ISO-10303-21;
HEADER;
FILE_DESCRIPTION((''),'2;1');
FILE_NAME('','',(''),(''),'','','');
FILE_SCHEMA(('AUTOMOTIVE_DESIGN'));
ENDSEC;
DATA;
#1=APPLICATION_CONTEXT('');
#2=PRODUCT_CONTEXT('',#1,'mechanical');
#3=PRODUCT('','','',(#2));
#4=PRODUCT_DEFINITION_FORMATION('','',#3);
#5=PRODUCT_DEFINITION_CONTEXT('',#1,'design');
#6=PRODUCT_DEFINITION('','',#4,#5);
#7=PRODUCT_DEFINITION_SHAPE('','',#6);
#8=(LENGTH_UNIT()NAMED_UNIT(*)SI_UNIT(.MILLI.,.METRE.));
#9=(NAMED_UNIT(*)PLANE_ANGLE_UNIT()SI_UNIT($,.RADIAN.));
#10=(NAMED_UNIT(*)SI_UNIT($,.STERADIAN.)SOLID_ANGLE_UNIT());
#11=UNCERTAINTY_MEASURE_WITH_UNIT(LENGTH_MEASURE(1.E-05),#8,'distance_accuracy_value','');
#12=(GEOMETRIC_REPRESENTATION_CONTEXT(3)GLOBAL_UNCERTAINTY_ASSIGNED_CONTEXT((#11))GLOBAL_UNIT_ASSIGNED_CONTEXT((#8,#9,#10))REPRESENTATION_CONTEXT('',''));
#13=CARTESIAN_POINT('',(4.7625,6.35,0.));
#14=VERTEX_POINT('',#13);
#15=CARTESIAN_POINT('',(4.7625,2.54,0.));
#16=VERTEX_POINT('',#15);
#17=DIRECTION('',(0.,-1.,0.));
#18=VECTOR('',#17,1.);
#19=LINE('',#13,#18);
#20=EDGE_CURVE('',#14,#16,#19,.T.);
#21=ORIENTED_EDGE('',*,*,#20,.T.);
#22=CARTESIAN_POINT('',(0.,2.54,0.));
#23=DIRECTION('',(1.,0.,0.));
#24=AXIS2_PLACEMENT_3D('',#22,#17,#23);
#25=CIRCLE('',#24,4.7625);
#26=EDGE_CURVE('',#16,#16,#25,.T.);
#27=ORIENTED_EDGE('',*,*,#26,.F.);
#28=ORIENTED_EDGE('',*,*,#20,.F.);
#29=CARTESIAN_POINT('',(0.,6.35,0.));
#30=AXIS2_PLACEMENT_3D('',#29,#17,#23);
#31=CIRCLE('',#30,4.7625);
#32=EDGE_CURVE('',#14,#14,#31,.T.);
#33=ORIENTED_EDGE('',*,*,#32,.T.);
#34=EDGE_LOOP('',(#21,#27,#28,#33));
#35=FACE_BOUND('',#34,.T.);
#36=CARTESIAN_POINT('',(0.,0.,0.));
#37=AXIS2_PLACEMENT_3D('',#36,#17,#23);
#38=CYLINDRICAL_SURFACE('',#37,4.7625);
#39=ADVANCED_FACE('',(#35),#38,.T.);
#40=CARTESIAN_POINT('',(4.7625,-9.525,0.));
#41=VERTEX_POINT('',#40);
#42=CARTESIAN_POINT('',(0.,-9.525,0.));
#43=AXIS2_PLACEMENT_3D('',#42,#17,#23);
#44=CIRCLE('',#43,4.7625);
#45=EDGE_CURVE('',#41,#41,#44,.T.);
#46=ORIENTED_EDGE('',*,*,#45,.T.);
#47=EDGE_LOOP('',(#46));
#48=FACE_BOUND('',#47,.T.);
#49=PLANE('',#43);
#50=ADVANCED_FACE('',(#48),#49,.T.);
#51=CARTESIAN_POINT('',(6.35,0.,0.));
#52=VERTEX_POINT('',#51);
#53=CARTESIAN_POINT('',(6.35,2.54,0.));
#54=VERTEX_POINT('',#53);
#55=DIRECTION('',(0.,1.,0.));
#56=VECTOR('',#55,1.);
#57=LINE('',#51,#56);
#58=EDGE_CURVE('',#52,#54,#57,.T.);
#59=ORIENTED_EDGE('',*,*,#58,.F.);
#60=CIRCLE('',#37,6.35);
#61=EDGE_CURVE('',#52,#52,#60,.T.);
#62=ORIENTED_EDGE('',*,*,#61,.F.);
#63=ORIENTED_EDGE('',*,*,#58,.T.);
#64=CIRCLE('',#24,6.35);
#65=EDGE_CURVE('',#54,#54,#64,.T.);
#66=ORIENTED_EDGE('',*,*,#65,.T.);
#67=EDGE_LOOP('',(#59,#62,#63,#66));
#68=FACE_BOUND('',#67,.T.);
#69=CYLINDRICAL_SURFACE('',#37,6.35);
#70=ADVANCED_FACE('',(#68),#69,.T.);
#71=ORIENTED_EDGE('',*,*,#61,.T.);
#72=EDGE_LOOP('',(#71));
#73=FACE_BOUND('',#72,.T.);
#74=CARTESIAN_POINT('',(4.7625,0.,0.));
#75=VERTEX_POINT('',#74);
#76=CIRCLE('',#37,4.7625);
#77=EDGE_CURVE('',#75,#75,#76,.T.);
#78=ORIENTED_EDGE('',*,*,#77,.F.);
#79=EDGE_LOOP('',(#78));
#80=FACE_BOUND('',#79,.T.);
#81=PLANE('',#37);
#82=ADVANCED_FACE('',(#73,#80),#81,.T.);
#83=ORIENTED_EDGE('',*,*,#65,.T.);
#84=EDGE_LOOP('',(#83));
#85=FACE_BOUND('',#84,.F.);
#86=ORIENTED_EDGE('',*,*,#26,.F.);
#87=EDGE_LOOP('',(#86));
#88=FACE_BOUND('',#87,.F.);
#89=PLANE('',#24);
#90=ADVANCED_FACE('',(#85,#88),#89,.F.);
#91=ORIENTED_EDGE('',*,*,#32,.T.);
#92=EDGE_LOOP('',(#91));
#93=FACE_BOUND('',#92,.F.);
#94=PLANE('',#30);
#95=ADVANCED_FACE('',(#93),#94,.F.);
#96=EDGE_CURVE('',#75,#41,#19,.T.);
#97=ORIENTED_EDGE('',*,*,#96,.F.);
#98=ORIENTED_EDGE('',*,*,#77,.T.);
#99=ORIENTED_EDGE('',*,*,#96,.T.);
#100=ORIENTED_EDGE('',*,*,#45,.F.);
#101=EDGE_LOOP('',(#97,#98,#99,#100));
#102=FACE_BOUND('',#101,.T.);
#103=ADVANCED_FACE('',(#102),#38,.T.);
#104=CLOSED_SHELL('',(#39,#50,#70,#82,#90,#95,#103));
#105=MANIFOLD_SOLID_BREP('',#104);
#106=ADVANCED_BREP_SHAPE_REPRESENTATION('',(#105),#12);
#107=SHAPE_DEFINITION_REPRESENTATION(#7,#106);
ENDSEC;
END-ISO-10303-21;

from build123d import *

# Parameters (mm, degrees)
F0_R          = 4.7625
F1_DEPTH      = 9.525
F1_DEPTH_BACK = 6.35
F2_R          = 6.35
F3_DEPTH      = 2.54


with BuildPart() as f1:
    # F0 (on Front) → F1 (new body, two sides)
    with BuildSketch(Plane.XZ) as f1_sk:
        Circle(F0_R)
    extrude(amount=F1_DEPTH)
    extrude(f1_sk.sketch, amount=-F1_DEPTH_BACK)

    # F2 (on Front) → F3 (join)
    with BuildSketch(Plane.XZ):
        Circle(F2_R)
    extrude(amount=-F3_DEPTH)


solid = f1.part
